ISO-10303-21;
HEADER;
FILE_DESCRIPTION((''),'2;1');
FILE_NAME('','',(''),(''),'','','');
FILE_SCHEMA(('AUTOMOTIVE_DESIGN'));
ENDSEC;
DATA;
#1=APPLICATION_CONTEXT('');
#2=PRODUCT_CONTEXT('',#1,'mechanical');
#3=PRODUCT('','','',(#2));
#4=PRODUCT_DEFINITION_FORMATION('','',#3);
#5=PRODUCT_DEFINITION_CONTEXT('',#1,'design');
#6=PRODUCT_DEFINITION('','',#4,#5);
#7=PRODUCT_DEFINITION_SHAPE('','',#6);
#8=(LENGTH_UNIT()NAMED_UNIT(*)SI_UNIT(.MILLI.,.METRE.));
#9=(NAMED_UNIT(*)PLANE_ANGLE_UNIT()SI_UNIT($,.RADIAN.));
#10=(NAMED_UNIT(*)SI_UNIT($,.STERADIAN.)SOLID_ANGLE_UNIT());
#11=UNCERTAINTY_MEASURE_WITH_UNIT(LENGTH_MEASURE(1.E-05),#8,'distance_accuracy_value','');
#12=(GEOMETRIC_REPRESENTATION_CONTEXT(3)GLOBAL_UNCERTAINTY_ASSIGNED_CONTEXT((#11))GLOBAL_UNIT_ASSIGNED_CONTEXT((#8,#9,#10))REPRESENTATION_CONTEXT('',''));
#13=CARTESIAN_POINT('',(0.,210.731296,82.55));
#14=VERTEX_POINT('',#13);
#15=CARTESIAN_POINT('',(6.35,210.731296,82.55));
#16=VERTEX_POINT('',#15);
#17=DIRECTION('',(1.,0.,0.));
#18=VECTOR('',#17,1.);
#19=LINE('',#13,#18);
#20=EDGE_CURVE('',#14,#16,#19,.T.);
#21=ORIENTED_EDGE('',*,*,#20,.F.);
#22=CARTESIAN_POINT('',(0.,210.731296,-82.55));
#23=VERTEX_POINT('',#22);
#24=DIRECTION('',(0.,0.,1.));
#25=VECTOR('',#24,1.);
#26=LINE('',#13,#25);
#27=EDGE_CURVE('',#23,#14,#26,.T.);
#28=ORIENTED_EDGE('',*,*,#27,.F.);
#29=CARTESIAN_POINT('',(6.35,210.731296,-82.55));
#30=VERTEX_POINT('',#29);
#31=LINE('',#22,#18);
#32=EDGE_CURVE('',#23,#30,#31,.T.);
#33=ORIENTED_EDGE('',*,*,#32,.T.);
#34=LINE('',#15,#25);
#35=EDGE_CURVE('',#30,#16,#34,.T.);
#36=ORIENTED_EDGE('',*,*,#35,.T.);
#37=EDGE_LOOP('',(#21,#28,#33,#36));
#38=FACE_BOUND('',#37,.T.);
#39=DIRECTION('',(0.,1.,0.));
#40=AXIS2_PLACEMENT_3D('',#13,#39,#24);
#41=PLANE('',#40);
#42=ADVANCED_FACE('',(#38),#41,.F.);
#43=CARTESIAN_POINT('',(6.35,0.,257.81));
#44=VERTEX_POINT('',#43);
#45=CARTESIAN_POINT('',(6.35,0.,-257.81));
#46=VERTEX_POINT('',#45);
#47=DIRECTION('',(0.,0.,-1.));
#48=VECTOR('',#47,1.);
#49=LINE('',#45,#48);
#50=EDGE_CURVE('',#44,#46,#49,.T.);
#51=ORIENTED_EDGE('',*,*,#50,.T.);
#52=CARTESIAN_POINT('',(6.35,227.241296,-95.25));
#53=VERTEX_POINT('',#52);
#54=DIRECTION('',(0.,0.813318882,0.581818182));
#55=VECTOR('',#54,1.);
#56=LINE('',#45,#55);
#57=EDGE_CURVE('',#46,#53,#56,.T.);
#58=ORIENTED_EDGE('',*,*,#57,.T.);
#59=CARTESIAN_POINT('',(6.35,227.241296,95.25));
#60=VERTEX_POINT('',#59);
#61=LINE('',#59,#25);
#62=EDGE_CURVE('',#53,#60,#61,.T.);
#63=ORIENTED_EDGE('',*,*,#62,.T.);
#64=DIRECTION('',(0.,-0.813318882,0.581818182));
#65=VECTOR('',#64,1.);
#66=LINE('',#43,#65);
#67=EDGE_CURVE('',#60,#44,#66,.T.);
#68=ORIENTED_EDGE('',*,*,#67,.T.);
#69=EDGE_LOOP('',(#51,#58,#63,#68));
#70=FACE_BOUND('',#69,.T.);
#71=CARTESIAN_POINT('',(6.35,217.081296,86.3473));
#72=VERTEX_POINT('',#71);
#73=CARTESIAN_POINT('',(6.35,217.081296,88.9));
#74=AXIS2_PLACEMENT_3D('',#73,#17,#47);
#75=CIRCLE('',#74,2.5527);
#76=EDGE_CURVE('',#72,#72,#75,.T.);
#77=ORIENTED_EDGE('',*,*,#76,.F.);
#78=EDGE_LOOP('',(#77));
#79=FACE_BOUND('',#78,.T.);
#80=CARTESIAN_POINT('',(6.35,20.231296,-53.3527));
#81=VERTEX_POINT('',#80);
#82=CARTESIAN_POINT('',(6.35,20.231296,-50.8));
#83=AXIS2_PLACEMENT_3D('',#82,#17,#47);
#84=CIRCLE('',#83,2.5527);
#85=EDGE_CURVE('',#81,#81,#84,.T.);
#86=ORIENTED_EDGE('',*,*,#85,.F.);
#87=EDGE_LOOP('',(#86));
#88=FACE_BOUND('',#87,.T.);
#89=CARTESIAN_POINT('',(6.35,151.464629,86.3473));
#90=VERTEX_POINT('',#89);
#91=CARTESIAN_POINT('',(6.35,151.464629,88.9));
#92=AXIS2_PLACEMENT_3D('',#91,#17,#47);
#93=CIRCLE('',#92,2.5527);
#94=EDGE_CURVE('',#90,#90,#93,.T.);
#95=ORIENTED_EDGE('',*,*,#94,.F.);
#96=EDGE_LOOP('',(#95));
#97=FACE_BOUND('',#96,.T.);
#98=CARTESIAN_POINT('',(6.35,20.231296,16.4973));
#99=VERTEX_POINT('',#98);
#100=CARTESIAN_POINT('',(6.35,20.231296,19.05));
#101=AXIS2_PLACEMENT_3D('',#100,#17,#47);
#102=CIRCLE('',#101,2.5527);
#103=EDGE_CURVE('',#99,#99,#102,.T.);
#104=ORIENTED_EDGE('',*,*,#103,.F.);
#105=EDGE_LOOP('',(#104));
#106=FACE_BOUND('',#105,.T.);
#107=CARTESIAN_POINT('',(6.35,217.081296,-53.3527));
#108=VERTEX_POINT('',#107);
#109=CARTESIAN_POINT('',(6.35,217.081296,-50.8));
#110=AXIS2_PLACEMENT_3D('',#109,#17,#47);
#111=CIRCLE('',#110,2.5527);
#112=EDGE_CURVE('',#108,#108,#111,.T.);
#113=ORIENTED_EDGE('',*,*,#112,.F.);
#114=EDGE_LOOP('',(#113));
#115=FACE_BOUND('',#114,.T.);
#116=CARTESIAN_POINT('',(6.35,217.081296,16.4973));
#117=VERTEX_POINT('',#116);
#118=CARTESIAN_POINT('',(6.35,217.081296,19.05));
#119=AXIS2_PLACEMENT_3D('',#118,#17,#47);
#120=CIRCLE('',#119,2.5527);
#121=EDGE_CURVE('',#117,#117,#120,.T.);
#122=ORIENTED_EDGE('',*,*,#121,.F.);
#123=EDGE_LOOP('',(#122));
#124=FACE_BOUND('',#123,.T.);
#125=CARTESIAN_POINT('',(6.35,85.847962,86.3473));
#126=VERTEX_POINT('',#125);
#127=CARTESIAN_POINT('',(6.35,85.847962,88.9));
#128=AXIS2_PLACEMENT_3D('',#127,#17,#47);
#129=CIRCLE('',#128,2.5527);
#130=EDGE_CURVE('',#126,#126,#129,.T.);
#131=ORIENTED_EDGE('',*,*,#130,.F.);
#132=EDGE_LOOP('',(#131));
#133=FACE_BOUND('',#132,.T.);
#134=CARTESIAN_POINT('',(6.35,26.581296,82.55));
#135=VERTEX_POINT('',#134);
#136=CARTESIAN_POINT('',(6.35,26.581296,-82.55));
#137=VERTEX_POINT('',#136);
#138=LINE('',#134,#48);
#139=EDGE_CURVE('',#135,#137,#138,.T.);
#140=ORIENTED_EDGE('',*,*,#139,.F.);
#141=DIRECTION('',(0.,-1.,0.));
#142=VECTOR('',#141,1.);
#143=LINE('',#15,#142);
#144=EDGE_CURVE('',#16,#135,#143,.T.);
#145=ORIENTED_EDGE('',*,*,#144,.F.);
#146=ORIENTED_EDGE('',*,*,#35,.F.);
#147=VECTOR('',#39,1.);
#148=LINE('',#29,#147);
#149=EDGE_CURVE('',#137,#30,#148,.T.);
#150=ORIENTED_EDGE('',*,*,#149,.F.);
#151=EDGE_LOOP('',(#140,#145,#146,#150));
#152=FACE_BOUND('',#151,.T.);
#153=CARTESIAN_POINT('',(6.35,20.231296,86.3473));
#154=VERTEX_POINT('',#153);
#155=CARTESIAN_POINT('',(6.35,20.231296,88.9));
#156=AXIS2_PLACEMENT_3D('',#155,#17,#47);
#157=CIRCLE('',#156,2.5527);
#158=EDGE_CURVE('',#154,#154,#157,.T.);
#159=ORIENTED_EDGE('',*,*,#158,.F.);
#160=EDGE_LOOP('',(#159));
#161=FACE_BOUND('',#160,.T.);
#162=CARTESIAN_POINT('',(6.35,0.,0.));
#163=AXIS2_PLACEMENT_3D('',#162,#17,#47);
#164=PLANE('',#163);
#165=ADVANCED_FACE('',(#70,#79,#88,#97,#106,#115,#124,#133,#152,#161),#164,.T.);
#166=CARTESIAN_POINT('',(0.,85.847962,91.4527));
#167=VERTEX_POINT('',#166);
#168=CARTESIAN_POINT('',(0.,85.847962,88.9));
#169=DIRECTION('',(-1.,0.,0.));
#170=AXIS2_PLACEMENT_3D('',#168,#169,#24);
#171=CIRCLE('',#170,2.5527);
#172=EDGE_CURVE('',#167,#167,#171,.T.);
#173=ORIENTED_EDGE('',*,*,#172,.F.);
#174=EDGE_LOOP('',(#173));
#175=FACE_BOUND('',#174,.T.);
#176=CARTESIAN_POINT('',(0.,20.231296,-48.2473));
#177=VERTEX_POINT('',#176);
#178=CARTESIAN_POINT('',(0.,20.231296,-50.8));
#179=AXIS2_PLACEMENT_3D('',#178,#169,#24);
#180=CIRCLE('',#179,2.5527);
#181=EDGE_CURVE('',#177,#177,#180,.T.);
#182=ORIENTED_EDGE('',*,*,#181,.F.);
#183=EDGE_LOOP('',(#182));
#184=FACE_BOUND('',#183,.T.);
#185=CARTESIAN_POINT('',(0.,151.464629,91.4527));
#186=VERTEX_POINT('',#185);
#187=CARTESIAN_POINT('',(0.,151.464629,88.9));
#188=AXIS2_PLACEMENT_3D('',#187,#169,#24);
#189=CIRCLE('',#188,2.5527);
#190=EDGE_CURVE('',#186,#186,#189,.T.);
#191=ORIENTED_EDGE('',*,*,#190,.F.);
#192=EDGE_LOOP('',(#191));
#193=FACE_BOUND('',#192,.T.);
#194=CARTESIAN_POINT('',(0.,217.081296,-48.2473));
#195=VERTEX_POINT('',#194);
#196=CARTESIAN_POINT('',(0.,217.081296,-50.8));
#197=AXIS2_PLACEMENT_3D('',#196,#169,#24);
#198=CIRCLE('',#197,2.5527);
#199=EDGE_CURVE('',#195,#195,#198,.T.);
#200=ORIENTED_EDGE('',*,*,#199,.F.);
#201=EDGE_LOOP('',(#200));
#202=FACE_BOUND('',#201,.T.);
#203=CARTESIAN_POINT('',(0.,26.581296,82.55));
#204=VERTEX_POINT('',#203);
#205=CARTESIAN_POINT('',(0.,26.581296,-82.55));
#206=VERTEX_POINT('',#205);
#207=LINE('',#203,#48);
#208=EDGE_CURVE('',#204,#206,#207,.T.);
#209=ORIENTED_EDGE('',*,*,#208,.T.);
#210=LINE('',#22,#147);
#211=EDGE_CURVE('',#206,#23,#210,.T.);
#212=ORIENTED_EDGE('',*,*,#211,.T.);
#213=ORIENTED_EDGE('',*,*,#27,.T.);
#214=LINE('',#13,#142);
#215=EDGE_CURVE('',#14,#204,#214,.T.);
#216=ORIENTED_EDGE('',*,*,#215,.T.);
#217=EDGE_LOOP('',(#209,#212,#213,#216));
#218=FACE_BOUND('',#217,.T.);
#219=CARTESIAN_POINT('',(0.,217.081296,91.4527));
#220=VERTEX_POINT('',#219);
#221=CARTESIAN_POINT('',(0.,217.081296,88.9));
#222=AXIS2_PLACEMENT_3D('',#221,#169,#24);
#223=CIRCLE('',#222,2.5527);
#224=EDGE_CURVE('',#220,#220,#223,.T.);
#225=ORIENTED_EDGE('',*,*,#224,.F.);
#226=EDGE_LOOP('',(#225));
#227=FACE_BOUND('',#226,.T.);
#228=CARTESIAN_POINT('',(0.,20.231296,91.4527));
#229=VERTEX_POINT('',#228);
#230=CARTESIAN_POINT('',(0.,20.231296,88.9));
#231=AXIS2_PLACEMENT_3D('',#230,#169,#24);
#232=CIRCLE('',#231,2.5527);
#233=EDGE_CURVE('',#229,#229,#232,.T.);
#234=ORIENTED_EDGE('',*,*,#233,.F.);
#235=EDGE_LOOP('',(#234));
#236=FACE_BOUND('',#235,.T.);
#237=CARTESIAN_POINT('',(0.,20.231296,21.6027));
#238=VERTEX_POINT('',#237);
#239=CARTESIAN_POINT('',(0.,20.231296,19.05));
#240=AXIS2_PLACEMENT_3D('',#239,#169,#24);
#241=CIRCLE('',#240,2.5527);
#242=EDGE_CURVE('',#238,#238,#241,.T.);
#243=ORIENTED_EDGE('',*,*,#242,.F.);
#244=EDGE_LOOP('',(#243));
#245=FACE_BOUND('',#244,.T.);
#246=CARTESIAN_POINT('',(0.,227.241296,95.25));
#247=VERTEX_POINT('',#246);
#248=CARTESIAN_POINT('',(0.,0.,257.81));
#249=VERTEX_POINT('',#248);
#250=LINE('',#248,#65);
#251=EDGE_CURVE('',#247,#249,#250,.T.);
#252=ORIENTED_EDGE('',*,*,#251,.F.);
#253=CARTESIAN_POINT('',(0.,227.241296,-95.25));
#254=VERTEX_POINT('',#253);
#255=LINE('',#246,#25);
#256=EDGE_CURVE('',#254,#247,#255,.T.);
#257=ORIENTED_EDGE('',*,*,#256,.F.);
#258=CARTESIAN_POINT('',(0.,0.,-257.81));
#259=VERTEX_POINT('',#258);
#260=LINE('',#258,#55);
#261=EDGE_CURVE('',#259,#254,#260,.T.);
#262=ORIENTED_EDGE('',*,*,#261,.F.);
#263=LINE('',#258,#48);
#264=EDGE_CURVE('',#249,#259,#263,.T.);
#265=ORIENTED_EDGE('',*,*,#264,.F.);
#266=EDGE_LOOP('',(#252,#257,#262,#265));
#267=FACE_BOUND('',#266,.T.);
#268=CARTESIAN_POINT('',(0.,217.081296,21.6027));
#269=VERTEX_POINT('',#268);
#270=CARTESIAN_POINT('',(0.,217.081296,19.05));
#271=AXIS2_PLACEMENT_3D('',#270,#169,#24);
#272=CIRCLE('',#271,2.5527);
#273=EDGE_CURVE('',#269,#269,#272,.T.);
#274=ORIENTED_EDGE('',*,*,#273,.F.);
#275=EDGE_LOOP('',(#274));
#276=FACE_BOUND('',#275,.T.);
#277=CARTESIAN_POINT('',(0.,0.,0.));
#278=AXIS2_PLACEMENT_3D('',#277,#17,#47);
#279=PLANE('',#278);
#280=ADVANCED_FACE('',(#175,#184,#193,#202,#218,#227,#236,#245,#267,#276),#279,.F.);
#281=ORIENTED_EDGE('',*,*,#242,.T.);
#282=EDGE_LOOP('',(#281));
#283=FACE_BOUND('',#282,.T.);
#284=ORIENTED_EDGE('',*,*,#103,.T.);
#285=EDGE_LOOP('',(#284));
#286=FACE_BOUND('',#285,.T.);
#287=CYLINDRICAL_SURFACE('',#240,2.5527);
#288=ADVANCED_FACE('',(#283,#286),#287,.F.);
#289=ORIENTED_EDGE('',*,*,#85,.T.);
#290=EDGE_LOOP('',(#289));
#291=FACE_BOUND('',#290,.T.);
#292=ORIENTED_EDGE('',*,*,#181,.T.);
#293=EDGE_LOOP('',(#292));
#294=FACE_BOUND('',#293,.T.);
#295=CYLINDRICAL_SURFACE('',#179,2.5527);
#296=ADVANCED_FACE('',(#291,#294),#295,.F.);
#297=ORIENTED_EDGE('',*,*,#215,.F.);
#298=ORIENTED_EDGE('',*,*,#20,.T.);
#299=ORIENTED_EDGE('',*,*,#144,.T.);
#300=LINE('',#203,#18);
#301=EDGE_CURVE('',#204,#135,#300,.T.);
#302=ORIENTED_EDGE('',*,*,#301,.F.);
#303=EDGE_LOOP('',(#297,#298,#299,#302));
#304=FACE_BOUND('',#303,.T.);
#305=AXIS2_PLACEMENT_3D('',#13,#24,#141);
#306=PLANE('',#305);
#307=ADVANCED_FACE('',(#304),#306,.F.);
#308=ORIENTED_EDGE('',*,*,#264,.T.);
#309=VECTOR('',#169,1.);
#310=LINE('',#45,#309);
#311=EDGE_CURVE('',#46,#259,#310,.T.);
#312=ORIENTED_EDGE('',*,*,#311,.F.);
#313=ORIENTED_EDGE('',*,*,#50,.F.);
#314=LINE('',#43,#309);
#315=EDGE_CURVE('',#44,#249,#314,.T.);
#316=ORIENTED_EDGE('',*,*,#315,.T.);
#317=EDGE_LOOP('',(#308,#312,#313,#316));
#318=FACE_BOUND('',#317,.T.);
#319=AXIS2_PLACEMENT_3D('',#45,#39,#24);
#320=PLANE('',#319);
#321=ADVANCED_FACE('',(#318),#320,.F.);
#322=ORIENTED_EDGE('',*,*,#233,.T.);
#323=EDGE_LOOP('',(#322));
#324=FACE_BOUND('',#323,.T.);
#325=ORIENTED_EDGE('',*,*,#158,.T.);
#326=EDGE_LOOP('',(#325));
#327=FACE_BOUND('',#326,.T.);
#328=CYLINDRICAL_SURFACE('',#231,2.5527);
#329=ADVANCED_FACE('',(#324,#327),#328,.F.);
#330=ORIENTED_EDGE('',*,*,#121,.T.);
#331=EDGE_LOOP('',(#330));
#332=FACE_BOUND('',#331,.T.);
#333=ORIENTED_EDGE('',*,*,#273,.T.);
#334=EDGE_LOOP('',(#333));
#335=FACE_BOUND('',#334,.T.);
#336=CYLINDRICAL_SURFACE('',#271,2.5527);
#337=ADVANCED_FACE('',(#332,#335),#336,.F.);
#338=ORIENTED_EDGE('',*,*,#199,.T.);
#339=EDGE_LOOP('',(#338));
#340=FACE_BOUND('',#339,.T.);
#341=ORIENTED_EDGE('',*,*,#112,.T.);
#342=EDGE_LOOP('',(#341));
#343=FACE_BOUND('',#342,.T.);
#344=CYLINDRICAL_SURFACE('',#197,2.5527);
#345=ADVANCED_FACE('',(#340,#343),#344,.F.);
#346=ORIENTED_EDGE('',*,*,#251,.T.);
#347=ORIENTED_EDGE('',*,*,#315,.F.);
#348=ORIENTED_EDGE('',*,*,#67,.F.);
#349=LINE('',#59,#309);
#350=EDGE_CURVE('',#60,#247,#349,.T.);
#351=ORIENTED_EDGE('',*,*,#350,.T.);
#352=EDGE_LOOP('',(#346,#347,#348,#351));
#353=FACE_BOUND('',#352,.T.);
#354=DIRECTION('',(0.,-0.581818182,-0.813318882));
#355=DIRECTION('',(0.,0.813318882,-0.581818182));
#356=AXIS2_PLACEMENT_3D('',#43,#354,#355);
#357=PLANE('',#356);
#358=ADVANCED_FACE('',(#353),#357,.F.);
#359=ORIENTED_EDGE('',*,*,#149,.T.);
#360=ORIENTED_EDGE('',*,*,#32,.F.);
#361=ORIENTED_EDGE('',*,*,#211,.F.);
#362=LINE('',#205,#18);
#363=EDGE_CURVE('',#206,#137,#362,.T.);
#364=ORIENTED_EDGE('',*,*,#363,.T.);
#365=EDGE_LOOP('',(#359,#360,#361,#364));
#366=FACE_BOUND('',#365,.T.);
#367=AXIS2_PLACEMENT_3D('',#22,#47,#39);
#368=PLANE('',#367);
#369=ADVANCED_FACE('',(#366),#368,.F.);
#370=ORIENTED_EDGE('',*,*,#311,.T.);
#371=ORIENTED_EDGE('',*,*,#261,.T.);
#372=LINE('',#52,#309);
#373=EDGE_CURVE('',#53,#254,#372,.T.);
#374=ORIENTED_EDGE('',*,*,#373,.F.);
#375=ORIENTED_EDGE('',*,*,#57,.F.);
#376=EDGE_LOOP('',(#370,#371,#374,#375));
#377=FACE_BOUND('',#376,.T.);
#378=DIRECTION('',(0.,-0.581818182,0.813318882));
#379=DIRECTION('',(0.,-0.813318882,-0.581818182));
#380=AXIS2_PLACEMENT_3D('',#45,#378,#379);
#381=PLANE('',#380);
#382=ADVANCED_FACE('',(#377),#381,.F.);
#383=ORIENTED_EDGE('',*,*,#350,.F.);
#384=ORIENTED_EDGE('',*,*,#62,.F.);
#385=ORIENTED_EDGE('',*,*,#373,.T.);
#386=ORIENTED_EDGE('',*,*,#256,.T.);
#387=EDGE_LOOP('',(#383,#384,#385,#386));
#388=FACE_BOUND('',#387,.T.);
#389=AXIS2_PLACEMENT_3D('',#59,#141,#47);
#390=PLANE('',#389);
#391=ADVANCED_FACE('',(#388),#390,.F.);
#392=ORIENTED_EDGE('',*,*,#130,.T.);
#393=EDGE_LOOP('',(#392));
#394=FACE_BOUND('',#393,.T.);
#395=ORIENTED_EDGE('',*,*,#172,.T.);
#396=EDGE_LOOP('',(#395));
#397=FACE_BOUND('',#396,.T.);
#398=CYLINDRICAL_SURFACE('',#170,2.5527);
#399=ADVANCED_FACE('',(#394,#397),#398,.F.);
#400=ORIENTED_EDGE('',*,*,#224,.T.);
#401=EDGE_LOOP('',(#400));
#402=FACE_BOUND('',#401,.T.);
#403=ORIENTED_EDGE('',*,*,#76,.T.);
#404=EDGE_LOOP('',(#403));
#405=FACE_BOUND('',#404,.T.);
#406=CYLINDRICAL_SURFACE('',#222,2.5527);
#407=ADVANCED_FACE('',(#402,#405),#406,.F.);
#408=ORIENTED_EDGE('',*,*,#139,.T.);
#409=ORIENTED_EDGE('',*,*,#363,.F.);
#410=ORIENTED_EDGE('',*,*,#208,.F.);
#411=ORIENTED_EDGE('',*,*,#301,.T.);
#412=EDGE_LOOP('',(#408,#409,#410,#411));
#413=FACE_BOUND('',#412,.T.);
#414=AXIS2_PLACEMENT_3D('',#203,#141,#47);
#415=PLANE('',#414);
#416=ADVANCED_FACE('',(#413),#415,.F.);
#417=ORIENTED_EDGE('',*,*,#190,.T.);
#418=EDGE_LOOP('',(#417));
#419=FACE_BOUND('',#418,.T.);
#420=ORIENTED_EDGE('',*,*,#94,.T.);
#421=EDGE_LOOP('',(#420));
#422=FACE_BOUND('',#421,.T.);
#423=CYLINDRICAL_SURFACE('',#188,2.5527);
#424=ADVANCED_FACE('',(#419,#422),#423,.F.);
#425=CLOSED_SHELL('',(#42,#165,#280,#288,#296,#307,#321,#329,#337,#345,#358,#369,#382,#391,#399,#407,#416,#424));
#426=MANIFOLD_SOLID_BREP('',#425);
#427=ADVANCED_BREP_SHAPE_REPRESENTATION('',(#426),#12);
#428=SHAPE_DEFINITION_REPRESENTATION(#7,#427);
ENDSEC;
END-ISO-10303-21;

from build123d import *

# Parameters (mm, degrees)
BOSS_EXTRUDE1_DEPTH         = 6.35
SKETCH3_W                   = 165.1
SKETCH3_H                   = 184.15
CUT_EXTRUDE1_DEPTH          = 7.35
F_1_4_CLEARANCE_HOLE1_D     = 5.1054
F_1_4_CLEARANCE_HOLE1_DEPTH = 25.4
F_1_4_CLEARANCE_HOLE1_TIP   = 1.533816902


with BuildPart() as part:
    # Sketch1 → Boss-Extrude1 (new body)
    with BuildSketch(Plane(origin=(0, 0, 0), x_dir=(0, 0, -1), z_dir=(1, 0, 0))):
        Polygon((257.81, 0), (-257.81, 0), (-95.25, 227.241295543), (95.25, 227.241295543), align=None)
    extrude(amount=BOSS_EXTRUDE1_DEPTH)

    # Sketch3 → Cut-Extrude1 (cut, through all)
    with BuildSketch(Plane(origin=(6.35, 0, 0), x_dir=(0, 0, -1), z_dir=(1, 0, 0))):
        with Locations((0, 118.656295543)):
            Rectangle(SKETCH3_W, SKETCH3_H)
    extrude(amount=-CUT_EXTRUDE1_DEPTH, mode=Mode.SUBTRACT)

    # 1/4 Clearance Hole1
    with Locations(Plane.ZY):
        with Locations((19.05, 217.081295543), (-50.8, 217.081295543), (-50.8, 151.464628876), (-50.8, 85.84796221), (-50.8, 20.231295543), (19.05, 20.231295543), (88.9, 20.231295543), (88.9, 85.84796221), (88.9, 151.464628876), (88.9, 217.081295543)):
            Hole(F_1_4_CLEARANCE_HOLE1_D / 2, depth=F_1_4_CLEARANCE_HOLE1_DEPTH)
            with Locations((0, 0, -(F_1_4_CLEARANCE_HOLE1_DEPTH + F_1_4_CLEARANCE_HOLE1_TIP / 2))):  # 118° drill point
                Cone(0, F_1_4_CLEARANCE_HOLE1_D / 2, F_1_4_CLEARANCE_HOLE1_TIP, mode=Mode.SUBTRACT)


solid = part.part
